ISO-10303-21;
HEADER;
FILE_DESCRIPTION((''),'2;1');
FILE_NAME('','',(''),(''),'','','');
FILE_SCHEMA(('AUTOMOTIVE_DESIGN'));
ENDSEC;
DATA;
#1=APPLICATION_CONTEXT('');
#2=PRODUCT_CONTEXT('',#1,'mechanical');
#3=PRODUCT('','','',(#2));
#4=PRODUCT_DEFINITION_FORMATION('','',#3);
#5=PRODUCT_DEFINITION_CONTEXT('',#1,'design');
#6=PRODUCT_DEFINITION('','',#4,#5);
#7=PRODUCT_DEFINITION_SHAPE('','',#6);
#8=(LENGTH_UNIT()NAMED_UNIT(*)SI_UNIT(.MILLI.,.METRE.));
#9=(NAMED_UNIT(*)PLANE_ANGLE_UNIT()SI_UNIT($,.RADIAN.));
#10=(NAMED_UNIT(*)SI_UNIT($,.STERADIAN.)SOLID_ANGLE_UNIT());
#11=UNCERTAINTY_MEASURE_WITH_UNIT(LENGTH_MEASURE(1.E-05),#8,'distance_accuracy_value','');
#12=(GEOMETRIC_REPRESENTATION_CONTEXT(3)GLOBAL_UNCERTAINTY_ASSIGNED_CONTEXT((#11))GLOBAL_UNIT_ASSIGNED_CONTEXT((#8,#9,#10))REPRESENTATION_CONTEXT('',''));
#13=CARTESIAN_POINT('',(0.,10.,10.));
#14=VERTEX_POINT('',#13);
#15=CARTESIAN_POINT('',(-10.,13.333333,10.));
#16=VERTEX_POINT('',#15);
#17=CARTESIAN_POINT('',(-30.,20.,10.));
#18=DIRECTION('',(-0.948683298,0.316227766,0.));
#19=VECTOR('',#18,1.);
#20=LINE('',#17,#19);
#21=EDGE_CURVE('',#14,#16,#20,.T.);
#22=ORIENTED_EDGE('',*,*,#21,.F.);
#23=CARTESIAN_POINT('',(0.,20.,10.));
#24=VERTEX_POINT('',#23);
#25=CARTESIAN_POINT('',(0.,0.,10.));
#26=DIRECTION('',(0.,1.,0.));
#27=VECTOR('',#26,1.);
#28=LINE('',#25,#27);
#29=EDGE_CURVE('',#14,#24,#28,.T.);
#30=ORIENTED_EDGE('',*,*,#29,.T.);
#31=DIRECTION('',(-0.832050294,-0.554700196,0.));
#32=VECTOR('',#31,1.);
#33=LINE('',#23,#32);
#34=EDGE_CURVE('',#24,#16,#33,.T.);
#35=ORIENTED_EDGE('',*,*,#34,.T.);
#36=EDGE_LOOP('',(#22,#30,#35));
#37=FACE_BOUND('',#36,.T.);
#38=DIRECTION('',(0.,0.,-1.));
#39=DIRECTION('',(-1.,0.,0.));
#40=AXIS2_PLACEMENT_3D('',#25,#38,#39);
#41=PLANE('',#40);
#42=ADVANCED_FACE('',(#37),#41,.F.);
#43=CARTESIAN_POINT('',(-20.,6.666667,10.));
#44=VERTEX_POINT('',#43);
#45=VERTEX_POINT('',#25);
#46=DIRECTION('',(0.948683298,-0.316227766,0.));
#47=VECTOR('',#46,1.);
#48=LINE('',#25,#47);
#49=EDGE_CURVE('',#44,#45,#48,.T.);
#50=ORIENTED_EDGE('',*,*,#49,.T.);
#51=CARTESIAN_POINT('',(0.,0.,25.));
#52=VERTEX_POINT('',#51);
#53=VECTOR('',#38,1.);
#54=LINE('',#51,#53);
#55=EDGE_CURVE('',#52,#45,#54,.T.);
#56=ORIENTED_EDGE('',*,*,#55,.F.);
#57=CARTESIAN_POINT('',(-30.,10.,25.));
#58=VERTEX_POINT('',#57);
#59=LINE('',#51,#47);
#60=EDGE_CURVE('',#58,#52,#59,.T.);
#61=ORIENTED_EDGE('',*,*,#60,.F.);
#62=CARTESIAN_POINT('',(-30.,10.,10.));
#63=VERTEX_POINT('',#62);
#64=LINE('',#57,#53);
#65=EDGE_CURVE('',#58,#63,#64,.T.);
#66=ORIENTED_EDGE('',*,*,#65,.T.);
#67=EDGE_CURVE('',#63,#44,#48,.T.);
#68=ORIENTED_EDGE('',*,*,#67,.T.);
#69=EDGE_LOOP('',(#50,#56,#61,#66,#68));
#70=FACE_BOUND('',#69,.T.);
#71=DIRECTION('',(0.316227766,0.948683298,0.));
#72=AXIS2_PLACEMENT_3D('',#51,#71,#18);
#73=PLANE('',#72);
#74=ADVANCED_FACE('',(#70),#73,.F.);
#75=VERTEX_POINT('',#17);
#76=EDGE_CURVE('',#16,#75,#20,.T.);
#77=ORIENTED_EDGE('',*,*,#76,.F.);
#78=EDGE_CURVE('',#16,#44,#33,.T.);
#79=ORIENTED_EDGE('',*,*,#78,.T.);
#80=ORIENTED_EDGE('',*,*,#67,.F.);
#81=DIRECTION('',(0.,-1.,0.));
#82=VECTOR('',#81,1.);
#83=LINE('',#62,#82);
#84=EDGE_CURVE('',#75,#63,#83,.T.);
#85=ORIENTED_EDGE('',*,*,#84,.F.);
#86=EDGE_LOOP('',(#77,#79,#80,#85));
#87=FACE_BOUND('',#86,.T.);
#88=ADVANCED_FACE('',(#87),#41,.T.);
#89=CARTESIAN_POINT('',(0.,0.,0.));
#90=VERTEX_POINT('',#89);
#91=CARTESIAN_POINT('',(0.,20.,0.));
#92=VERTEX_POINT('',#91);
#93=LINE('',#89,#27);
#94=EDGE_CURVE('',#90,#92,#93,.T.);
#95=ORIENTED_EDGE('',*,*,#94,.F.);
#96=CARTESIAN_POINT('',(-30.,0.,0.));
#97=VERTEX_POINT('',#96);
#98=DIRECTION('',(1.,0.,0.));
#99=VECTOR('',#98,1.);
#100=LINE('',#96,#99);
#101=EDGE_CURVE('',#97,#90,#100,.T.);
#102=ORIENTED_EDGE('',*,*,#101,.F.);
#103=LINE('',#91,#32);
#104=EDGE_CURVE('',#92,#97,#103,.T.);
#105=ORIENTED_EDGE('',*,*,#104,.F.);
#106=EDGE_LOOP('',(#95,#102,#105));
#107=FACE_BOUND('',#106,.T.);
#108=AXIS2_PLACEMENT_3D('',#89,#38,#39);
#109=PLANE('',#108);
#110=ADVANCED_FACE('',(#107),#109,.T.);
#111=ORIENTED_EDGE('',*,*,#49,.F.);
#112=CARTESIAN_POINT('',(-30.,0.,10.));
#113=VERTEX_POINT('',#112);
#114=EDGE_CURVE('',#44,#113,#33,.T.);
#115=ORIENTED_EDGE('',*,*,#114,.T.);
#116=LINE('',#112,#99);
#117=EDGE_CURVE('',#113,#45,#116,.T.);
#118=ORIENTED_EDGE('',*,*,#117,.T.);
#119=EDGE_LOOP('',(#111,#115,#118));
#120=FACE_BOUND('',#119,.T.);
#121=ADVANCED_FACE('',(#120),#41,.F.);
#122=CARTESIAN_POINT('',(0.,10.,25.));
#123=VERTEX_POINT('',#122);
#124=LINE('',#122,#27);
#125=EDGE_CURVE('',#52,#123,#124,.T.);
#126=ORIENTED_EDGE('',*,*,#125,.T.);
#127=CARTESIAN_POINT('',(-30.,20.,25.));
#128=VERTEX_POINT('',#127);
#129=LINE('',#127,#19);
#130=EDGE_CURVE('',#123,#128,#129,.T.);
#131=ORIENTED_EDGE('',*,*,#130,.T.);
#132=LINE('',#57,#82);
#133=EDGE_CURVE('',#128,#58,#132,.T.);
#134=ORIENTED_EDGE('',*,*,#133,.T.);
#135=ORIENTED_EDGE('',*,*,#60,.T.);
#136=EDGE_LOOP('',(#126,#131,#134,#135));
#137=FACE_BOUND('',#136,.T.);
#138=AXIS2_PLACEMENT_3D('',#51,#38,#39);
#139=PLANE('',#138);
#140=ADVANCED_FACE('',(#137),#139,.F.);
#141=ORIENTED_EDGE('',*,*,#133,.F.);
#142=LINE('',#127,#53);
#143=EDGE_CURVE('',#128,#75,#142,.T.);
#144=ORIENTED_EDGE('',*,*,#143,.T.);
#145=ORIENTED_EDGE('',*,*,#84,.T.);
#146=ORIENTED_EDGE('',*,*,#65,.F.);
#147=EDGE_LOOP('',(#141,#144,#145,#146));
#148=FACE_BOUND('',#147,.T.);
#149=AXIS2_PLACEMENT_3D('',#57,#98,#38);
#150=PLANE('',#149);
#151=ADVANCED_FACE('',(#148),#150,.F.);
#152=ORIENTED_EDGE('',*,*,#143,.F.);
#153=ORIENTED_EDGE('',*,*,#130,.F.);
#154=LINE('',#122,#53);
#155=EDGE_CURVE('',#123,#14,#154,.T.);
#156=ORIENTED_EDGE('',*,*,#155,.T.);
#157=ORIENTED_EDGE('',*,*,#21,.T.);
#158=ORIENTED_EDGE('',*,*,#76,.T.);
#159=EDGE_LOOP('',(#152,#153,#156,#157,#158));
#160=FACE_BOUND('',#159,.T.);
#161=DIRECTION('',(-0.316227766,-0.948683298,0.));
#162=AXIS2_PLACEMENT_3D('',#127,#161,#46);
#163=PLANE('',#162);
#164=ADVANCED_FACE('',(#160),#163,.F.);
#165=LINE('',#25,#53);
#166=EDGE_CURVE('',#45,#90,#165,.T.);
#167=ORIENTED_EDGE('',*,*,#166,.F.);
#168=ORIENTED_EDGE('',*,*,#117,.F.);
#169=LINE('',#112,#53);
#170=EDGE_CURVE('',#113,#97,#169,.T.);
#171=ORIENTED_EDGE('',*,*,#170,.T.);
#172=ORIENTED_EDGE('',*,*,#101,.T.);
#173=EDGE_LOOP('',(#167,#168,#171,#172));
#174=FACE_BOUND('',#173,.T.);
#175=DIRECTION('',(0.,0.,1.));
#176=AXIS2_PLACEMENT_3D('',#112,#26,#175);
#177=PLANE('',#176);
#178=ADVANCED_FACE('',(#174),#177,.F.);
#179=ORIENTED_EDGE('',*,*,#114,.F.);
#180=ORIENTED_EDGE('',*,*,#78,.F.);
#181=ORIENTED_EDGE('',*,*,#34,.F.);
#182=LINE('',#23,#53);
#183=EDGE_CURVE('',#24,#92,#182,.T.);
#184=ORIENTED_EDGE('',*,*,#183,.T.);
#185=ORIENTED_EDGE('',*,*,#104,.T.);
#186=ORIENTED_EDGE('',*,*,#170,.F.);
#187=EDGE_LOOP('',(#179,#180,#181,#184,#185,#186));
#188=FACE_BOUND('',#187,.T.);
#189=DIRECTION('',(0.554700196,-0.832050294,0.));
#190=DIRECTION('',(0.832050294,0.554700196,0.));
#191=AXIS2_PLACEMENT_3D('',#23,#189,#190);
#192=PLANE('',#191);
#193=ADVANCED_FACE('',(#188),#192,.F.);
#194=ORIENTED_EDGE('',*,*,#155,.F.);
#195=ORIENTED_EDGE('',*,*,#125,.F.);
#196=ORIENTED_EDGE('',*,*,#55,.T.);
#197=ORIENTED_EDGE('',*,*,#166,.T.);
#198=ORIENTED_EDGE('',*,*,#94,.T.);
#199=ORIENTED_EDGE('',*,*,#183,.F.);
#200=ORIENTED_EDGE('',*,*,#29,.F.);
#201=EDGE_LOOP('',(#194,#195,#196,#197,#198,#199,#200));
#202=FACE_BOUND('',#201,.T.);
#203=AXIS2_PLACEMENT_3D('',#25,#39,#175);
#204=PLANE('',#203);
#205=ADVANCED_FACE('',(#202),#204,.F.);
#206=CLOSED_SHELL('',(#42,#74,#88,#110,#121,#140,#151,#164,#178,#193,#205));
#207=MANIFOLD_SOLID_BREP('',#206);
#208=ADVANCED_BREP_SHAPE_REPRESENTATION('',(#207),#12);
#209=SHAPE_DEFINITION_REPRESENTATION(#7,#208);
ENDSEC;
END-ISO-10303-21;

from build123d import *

# Parameters (mm, degrees)
BOSS_EXTRUDE1_DEPTH = 10
BOSS_EXTRUDE2_DEPTH = 15


with BuildPart() as part:
    # Sketch1 → Boss-Extrude1 (new body)
    with BuildSketch(Plane.XY):
        Polygon((-30, 0), (0, 0), (0, 20), align=None)
    extrude(amount=BOSS_EXTRUDE1_DEPTH)

    # Sketch2 → Boss-Extrude2 (add)
    with BuildSketch(Plane.XY.offset(10)):
        Polygon((0, 10), (0, 0), (-30, 10), (-30, 20), align=None)
    extrude(amount=BOSS_EXTRUDE2_DEPTH)


solid = part.part
